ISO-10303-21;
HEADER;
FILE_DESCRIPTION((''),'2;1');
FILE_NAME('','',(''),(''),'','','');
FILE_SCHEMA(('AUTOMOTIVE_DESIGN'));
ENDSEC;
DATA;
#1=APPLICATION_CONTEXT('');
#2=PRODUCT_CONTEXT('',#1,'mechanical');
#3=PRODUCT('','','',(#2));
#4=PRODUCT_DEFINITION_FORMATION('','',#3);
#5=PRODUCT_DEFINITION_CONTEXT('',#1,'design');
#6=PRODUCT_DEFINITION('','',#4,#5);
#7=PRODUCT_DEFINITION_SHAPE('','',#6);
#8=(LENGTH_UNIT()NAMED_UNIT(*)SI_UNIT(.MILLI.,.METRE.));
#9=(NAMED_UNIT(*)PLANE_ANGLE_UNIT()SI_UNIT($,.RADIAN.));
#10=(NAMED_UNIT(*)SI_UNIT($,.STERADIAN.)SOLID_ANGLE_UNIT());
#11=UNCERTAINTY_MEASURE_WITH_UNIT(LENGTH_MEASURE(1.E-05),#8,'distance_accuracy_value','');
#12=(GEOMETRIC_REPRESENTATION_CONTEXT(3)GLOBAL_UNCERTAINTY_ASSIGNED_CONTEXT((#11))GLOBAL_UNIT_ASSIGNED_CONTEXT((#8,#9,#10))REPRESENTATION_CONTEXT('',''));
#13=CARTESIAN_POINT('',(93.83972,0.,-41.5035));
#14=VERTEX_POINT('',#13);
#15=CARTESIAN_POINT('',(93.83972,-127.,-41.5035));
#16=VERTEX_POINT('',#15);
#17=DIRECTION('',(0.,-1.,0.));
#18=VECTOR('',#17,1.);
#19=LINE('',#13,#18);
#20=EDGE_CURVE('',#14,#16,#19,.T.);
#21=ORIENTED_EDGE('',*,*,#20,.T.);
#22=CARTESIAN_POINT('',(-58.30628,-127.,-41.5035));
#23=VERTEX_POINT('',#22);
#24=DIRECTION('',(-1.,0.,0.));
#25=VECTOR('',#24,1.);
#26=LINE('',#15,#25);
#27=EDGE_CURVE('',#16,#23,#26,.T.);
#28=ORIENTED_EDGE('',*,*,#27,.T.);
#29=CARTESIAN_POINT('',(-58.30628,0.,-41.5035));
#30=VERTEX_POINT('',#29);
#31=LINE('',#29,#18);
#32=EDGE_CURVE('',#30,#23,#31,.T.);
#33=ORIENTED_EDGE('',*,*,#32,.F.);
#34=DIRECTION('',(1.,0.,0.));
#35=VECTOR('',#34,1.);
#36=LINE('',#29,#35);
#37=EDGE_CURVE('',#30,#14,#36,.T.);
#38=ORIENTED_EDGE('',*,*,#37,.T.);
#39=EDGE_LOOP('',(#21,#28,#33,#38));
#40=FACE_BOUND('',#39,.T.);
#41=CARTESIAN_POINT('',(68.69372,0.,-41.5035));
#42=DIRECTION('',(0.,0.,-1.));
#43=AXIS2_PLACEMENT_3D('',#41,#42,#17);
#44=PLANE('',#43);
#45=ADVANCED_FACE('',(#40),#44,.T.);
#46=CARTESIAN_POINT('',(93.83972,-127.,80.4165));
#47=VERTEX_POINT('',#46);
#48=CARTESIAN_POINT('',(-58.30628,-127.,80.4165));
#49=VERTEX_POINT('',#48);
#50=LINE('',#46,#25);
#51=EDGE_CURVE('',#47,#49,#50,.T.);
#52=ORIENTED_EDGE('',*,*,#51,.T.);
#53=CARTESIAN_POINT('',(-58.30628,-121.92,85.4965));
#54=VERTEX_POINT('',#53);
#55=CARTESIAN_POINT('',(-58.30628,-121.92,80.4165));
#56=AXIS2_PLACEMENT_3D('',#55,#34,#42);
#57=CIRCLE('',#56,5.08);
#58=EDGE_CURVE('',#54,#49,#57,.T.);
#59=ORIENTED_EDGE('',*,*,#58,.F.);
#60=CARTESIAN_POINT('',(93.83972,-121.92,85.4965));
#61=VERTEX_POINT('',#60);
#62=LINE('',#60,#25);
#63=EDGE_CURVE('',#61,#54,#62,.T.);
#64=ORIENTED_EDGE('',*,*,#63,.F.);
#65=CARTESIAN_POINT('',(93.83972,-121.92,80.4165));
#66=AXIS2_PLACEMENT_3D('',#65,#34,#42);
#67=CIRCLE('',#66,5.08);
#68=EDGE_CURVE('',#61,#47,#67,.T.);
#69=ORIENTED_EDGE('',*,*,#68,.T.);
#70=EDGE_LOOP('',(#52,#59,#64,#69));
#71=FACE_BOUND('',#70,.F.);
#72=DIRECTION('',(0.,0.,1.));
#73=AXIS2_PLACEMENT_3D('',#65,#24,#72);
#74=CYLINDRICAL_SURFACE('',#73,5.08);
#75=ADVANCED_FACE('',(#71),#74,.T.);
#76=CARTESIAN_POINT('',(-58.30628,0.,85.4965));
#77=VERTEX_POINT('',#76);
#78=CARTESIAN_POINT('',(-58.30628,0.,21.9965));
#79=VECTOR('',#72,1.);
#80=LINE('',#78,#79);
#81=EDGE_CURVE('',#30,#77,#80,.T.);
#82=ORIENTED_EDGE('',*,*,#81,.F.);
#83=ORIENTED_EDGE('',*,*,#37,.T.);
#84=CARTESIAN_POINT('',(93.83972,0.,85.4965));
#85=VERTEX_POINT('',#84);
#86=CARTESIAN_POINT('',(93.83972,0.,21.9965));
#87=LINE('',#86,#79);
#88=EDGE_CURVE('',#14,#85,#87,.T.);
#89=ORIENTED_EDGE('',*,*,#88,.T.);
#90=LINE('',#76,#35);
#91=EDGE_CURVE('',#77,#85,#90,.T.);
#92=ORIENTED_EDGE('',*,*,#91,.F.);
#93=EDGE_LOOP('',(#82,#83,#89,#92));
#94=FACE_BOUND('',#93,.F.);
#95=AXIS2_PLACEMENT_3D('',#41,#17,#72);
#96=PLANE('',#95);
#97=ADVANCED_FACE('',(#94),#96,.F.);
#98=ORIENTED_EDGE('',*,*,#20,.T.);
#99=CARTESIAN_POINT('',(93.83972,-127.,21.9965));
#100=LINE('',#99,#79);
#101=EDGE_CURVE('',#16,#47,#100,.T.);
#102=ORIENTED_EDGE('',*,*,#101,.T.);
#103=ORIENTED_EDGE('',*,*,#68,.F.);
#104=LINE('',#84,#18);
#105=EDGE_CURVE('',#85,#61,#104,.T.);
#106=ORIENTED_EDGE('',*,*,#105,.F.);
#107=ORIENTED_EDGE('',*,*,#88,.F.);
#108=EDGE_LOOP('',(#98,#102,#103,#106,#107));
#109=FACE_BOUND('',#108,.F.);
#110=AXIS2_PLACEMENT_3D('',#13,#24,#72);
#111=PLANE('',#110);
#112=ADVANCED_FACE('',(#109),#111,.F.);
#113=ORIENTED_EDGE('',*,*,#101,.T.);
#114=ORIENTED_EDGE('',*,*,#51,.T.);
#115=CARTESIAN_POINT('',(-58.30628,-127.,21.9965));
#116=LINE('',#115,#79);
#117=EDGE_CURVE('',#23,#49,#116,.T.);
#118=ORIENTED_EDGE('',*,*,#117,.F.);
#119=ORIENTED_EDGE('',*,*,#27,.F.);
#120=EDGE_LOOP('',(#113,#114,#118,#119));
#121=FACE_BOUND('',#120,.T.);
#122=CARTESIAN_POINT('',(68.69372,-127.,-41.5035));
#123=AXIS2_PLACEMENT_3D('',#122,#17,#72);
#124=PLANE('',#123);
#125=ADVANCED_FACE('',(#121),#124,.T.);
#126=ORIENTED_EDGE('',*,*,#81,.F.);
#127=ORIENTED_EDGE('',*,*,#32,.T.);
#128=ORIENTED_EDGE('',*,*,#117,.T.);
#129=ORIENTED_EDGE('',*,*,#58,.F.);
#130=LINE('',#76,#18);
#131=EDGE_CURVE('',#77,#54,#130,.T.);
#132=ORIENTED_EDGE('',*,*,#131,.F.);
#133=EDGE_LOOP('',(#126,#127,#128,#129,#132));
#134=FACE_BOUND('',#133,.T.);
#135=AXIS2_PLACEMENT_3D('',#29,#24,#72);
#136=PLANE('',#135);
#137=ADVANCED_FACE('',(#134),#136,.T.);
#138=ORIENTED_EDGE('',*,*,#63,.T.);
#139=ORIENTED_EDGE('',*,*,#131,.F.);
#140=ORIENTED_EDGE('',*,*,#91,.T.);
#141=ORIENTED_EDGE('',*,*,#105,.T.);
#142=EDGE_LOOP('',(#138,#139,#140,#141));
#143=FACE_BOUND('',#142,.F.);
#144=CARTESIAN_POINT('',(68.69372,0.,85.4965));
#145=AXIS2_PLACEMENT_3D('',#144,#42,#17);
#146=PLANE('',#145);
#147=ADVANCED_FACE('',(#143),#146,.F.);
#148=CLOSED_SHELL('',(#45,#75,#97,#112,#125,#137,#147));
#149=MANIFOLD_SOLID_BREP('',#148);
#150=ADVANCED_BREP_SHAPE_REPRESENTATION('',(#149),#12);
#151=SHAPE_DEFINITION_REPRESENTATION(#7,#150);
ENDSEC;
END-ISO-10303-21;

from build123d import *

# Parameters (mm, degrees)
F0_W     = 127
F0_H     = 127
F1_DEPTH = 127
F2_DEPTH = 25.146
F3_R     = 5.08


with BuildPart() as f1:
    # F0 (on Front) → F1 (new body)
    with BuildSketch(Plane.XZ):
        with Locations((5.1937198043, 21.9964998066)):
            Rectangle(F0_W, F0_H)
    extrude(amount=F1_DEPTH)

    # F2 (add): a face of the model
    f2_faces = [f1.faces().sort_by_distance(p)[0] for p in [
        (68.6937198043, -63.5, 21.9964998066),
    ]]
    extrude(f2_faces, amount=F2_DEPTH)

    # F3
    f3_edges = [f1.edges().sort_by_distance(p)[0] for p in [
        (17.76672, -127, 85.4965),
    ]]
    fillet(f3_edges, radius=F3_R)


solid = f1.part
